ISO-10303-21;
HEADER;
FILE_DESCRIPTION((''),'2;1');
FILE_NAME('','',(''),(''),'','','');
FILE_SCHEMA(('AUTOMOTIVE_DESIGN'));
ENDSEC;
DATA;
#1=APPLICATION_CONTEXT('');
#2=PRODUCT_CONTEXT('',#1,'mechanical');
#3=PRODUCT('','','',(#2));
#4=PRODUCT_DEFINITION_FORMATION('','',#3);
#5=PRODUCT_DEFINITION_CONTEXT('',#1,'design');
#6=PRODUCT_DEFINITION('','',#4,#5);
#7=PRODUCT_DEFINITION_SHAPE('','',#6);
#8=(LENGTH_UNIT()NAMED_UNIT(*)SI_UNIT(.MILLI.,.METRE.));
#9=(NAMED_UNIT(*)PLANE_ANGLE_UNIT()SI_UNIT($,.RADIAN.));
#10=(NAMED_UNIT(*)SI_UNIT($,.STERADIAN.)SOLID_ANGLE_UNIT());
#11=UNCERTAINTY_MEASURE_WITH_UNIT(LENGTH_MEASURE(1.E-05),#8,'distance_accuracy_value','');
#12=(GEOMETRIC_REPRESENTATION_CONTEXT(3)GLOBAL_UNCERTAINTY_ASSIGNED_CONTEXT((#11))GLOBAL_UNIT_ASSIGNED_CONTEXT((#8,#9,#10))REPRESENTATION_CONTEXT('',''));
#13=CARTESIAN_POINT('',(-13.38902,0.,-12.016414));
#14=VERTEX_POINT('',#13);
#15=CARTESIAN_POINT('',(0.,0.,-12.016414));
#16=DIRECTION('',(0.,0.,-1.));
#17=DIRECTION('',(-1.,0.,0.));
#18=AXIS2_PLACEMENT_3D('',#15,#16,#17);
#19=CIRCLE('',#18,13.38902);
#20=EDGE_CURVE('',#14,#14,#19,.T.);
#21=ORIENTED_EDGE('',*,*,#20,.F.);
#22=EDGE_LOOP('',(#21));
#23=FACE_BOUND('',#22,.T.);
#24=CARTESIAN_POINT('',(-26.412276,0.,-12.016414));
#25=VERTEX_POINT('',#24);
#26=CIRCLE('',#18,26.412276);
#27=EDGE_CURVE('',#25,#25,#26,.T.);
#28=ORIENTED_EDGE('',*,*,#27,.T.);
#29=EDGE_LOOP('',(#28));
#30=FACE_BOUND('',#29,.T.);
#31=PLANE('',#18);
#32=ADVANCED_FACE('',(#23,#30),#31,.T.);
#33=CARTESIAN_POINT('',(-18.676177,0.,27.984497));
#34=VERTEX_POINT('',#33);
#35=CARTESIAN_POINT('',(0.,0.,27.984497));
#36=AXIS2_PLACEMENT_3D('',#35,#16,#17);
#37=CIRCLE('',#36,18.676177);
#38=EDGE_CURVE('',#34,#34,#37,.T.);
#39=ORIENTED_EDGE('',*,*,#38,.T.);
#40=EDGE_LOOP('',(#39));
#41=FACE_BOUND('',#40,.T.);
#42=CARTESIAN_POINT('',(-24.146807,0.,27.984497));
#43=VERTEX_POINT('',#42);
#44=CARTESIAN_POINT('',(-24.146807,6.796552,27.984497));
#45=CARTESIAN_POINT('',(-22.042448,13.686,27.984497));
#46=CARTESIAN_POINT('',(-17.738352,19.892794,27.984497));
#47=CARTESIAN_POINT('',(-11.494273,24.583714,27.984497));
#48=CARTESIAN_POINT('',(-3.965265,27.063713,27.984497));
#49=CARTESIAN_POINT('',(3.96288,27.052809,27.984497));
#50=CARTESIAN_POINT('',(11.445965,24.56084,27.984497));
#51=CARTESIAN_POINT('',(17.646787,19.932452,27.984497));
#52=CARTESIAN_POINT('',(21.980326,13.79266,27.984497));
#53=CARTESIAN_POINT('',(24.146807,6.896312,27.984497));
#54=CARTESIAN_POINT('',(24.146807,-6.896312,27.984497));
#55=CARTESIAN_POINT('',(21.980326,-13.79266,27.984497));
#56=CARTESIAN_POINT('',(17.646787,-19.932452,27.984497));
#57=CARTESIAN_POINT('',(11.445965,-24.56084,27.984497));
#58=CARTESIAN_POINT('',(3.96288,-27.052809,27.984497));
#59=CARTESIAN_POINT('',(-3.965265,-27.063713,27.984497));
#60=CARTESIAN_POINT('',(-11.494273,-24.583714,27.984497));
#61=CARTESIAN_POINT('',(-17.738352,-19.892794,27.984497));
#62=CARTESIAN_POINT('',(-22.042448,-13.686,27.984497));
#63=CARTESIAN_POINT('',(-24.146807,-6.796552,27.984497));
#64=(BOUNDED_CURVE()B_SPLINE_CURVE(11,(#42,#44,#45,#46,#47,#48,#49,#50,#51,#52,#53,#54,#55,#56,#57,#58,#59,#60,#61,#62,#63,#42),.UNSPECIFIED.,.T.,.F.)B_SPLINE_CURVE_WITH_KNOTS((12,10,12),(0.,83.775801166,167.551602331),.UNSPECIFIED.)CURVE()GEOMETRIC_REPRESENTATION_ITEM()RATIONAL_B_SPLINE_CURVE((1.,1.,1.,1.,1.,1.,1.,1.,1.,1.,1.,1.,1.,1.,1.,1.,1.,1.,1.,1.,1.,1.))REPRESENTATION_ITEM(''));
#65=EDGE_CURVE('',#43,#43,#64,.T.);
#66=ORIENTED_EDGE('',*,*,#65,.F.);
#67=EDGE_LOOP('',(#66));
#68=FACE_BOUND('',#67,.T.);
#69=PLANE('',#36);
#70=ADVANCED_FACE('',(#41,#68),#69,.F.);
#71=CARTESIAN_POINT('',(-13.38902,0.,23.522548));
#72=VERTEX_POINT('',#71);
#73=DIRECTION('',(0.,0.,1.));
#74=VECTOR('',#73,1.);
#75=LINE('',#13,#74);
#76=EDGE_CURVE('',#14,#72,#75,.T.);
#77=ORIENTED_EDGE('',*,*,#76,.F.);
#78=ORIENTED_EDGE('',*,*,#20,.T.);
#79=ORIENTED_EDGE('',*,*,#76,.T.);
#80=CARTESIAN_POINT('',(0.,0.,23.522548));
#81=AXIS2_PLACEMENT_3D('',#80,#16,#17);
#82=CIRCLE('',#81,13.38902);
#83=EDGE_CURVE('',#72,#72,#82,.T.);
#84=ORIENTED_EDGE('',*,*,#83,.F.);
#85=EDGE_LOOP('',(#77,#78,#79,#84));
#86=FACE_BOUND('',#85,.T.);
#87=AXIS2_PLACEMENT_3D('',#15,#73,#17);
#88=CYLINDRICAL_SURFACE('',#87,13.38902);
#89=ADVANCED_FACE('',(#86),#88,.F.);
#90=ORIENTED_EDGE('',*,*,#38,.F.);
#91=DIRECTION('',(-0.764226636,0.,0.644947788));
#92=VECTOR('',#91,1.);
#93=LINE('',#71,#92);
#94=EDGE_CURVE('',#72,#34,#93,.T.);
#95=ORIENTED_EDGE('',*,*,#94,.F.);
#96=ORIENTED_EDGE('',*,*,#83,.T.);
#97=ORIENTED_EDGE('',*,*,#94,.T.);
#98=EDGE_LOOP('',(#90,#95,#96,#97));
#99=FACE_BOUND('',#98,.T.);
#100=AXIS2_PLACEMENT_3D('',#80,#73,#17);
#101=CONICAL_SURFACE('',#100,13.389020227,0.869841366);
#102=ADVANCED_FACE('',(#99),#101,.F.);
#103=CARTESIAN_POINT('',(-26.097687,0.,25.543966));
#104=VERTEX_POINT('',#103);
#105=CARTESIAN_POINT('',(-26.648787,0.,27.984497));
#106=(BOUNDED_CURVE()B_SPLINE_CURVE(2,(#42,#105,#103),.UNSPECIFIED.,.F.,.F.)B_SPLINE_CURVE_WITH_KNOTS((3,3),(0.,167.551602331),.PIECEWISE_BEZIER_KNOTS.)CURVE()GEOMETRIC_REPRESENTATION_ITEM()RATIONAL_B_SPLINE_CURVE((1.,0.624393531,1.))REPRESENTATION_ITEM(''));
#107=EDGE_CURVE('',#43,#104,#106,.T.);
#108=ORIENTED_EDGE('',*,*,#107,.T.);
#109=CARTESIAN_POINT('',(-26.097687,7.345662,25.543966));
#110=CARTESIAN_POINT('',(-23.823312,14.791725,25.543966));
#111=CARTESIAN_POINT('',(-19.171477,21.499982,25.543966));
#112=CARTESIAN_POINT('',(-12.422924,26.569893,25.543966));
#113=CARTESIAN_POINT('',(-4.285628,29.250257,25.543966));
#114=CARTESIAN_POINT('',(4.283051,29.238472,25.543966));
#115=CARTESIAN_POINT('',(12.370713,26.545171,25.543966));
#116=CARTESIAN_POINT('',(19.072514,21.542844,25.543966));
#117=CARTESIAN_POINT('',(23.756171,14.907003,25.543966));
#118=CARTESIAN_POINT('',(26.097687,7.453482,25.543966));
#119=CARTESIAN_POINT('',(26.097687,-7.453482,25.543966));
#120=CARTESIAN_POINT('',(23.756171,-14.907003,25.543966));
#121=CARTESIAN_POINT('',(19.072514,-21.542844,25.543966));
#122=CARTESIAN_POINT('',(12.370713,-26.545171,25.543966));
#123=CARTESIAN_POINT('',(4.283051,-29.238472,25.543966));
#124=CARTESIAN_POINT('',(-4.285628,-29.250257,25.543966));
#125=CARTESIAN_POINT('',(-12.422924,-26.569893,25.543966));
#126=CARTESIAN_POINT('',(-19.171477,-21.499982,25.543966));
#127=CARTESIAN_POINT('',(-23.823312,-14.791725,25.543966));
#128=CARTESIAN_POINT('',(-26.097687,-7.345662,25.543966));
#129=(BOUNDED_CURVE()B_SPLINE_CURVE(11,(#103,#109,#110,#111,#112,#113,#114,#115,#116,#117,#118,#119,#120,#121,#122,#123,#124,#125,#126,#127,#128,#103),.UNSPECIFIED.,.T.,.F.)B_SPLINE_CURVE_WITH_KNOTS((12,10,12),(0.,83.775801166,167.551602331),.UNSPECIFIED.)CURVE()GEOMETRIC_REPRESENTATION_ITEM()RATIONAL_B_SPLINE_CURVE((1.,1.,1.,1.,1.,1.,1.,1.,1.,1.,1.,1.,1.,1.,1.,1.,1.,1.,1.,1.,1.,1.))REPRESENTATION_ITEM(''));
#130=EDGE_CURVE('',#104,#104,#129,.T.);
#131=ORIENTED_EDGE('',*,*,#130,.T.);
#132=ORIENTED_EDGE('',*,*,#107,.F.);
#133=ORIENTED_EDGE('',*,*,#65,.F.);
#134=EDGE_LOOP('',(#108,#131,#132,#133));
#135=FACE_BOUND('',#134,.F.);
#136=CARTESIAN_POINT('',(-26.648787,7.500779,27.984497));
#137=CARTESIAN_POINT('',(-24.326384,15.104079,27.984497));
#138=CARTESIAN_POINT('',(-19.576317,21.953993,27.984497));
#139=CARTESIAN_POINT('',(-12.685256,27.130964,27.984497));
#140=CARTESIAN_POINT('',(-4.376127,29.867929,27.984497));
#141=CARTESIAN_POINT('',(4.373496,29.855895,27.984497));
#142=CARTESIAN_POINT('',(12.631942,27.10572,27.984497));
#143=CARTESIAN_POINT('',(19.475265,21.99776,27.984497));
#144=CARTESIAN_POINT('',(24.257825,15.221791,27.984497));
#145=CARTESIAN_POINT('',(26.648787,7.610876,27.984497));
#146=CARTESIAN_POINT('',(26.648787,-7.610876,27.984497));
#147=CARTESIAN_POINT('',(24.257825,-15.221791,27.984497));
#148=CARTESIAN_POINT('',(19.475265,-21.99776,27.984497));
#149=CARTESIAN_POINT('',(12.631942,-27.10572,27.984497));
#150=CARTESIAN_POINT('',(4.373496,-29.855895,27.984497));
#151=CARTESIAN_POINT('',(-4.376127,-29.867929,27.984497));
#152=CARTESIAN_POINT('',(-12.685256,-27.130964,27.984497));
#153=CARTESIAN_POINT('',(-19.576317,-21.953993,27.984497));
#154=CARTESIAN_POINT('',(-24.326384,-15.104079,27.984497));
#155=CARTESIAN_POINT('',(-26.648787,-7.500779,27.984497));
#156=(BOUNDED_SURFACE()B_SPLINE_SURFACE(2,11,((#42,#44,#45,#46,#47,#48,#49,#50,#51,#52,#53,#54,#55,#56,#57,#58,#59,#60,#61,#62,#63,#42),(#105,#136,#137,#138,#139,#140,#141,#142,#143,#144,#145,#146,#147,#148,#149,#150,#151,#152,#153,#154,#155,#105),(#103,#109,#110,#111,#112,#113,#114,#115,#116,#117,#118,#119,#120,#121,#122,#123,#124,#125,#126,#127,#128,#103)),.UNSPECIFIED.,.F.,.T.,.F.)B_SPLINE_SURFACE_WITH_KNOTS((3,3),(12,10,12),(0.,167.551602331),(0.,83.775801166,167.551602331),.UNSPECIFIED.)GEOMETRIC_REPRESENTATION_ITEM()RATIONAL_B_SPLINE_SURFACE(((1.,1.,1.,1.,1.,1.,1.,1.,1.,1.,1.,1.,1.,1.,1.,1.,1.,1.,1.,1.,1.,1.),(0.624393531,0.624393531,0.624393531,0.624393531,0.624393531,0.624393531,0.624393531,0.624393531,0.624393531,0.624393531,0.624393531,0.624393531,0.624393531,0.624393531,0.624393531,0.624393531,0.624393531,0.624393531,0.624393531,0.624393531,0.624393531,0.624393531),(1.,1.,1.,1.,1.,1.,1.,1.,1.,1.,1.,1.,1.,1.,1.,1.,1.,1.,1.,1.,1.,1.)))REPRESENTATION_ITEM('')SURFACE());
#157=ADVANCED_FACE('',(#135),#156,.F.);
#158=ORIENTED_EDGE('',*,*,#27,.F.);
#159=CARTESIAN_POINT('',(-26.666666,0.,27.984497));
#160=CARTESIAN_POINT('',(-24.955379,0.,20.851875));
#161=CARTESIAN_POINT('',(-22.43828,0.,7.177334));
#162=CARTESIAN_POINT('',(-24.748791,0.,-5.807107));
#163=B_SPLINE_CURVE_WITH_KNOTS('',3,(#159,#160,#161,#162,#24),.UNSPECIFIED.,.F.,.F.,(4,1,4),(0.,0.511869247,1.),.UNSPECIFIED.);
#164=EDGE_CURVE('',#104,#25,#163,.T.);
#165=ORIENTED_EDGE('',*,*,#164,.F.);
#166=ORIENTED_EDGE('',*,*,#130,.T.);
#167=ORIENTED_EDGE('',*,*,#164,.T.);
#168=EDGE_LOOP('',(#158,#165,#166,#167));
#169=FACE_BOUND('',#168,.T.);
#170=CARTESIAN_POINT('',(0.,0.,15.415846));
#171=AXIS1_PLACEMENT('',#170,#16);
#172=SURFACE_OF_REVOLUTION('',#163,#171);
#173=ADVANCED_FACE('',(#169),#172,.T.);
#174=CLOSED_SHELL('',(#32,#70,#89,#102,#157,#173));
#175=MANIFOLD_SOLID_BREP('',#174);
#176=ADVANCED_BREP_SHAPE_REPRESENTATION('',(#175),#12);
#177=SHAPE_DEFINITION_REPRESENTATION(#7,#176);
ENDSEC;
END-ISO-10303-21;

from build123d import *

# Parameters (mm, degrees)
F2_R = 2


with BuildPart() as f1:
    # F0 (on Front) → F1 (revolve)
    with BuildSketch(Plane.XZ):
        with BuildLine():
            Line((-26.4122755203, -12.0164136617), (-13.3890202269, -12.0164136617))
            Line((-13.3890202269, -12.0164136617), (-13.3890202269, 23.5225483775))
            Line((-13.3890202269, 23.5225483775), (-18.6761766672, 27.9844968208))
            Line((-18.6761766672, 27.9844968208), (-26.666665734, 27.9844968208))
            add(Edge.make_bspline(
                [(-26.666665734, 27.9844968208), (-24.955378966, 20.8518752971), (-22.4382795274, 7.177334093), (-24.7487914574, -5.8071066778), (-26.4122755203, -12.0164136617)],
                knots=[0, 0, 0, 0, 0.5118692466, 1, 1, 1, 1], degree=3))
        make_face()
    revolve(axis=Axis((0, 0, 15.41584597), (0, 0, -1)))

    # F2
    f2_edges = [f1.edges().sort_by_distance(p)[0] for p in [
        (26.666666, 0, 27.984497),
    ]]
    fillet(f2_edges, radius=F2_R)


solid = f1.part
